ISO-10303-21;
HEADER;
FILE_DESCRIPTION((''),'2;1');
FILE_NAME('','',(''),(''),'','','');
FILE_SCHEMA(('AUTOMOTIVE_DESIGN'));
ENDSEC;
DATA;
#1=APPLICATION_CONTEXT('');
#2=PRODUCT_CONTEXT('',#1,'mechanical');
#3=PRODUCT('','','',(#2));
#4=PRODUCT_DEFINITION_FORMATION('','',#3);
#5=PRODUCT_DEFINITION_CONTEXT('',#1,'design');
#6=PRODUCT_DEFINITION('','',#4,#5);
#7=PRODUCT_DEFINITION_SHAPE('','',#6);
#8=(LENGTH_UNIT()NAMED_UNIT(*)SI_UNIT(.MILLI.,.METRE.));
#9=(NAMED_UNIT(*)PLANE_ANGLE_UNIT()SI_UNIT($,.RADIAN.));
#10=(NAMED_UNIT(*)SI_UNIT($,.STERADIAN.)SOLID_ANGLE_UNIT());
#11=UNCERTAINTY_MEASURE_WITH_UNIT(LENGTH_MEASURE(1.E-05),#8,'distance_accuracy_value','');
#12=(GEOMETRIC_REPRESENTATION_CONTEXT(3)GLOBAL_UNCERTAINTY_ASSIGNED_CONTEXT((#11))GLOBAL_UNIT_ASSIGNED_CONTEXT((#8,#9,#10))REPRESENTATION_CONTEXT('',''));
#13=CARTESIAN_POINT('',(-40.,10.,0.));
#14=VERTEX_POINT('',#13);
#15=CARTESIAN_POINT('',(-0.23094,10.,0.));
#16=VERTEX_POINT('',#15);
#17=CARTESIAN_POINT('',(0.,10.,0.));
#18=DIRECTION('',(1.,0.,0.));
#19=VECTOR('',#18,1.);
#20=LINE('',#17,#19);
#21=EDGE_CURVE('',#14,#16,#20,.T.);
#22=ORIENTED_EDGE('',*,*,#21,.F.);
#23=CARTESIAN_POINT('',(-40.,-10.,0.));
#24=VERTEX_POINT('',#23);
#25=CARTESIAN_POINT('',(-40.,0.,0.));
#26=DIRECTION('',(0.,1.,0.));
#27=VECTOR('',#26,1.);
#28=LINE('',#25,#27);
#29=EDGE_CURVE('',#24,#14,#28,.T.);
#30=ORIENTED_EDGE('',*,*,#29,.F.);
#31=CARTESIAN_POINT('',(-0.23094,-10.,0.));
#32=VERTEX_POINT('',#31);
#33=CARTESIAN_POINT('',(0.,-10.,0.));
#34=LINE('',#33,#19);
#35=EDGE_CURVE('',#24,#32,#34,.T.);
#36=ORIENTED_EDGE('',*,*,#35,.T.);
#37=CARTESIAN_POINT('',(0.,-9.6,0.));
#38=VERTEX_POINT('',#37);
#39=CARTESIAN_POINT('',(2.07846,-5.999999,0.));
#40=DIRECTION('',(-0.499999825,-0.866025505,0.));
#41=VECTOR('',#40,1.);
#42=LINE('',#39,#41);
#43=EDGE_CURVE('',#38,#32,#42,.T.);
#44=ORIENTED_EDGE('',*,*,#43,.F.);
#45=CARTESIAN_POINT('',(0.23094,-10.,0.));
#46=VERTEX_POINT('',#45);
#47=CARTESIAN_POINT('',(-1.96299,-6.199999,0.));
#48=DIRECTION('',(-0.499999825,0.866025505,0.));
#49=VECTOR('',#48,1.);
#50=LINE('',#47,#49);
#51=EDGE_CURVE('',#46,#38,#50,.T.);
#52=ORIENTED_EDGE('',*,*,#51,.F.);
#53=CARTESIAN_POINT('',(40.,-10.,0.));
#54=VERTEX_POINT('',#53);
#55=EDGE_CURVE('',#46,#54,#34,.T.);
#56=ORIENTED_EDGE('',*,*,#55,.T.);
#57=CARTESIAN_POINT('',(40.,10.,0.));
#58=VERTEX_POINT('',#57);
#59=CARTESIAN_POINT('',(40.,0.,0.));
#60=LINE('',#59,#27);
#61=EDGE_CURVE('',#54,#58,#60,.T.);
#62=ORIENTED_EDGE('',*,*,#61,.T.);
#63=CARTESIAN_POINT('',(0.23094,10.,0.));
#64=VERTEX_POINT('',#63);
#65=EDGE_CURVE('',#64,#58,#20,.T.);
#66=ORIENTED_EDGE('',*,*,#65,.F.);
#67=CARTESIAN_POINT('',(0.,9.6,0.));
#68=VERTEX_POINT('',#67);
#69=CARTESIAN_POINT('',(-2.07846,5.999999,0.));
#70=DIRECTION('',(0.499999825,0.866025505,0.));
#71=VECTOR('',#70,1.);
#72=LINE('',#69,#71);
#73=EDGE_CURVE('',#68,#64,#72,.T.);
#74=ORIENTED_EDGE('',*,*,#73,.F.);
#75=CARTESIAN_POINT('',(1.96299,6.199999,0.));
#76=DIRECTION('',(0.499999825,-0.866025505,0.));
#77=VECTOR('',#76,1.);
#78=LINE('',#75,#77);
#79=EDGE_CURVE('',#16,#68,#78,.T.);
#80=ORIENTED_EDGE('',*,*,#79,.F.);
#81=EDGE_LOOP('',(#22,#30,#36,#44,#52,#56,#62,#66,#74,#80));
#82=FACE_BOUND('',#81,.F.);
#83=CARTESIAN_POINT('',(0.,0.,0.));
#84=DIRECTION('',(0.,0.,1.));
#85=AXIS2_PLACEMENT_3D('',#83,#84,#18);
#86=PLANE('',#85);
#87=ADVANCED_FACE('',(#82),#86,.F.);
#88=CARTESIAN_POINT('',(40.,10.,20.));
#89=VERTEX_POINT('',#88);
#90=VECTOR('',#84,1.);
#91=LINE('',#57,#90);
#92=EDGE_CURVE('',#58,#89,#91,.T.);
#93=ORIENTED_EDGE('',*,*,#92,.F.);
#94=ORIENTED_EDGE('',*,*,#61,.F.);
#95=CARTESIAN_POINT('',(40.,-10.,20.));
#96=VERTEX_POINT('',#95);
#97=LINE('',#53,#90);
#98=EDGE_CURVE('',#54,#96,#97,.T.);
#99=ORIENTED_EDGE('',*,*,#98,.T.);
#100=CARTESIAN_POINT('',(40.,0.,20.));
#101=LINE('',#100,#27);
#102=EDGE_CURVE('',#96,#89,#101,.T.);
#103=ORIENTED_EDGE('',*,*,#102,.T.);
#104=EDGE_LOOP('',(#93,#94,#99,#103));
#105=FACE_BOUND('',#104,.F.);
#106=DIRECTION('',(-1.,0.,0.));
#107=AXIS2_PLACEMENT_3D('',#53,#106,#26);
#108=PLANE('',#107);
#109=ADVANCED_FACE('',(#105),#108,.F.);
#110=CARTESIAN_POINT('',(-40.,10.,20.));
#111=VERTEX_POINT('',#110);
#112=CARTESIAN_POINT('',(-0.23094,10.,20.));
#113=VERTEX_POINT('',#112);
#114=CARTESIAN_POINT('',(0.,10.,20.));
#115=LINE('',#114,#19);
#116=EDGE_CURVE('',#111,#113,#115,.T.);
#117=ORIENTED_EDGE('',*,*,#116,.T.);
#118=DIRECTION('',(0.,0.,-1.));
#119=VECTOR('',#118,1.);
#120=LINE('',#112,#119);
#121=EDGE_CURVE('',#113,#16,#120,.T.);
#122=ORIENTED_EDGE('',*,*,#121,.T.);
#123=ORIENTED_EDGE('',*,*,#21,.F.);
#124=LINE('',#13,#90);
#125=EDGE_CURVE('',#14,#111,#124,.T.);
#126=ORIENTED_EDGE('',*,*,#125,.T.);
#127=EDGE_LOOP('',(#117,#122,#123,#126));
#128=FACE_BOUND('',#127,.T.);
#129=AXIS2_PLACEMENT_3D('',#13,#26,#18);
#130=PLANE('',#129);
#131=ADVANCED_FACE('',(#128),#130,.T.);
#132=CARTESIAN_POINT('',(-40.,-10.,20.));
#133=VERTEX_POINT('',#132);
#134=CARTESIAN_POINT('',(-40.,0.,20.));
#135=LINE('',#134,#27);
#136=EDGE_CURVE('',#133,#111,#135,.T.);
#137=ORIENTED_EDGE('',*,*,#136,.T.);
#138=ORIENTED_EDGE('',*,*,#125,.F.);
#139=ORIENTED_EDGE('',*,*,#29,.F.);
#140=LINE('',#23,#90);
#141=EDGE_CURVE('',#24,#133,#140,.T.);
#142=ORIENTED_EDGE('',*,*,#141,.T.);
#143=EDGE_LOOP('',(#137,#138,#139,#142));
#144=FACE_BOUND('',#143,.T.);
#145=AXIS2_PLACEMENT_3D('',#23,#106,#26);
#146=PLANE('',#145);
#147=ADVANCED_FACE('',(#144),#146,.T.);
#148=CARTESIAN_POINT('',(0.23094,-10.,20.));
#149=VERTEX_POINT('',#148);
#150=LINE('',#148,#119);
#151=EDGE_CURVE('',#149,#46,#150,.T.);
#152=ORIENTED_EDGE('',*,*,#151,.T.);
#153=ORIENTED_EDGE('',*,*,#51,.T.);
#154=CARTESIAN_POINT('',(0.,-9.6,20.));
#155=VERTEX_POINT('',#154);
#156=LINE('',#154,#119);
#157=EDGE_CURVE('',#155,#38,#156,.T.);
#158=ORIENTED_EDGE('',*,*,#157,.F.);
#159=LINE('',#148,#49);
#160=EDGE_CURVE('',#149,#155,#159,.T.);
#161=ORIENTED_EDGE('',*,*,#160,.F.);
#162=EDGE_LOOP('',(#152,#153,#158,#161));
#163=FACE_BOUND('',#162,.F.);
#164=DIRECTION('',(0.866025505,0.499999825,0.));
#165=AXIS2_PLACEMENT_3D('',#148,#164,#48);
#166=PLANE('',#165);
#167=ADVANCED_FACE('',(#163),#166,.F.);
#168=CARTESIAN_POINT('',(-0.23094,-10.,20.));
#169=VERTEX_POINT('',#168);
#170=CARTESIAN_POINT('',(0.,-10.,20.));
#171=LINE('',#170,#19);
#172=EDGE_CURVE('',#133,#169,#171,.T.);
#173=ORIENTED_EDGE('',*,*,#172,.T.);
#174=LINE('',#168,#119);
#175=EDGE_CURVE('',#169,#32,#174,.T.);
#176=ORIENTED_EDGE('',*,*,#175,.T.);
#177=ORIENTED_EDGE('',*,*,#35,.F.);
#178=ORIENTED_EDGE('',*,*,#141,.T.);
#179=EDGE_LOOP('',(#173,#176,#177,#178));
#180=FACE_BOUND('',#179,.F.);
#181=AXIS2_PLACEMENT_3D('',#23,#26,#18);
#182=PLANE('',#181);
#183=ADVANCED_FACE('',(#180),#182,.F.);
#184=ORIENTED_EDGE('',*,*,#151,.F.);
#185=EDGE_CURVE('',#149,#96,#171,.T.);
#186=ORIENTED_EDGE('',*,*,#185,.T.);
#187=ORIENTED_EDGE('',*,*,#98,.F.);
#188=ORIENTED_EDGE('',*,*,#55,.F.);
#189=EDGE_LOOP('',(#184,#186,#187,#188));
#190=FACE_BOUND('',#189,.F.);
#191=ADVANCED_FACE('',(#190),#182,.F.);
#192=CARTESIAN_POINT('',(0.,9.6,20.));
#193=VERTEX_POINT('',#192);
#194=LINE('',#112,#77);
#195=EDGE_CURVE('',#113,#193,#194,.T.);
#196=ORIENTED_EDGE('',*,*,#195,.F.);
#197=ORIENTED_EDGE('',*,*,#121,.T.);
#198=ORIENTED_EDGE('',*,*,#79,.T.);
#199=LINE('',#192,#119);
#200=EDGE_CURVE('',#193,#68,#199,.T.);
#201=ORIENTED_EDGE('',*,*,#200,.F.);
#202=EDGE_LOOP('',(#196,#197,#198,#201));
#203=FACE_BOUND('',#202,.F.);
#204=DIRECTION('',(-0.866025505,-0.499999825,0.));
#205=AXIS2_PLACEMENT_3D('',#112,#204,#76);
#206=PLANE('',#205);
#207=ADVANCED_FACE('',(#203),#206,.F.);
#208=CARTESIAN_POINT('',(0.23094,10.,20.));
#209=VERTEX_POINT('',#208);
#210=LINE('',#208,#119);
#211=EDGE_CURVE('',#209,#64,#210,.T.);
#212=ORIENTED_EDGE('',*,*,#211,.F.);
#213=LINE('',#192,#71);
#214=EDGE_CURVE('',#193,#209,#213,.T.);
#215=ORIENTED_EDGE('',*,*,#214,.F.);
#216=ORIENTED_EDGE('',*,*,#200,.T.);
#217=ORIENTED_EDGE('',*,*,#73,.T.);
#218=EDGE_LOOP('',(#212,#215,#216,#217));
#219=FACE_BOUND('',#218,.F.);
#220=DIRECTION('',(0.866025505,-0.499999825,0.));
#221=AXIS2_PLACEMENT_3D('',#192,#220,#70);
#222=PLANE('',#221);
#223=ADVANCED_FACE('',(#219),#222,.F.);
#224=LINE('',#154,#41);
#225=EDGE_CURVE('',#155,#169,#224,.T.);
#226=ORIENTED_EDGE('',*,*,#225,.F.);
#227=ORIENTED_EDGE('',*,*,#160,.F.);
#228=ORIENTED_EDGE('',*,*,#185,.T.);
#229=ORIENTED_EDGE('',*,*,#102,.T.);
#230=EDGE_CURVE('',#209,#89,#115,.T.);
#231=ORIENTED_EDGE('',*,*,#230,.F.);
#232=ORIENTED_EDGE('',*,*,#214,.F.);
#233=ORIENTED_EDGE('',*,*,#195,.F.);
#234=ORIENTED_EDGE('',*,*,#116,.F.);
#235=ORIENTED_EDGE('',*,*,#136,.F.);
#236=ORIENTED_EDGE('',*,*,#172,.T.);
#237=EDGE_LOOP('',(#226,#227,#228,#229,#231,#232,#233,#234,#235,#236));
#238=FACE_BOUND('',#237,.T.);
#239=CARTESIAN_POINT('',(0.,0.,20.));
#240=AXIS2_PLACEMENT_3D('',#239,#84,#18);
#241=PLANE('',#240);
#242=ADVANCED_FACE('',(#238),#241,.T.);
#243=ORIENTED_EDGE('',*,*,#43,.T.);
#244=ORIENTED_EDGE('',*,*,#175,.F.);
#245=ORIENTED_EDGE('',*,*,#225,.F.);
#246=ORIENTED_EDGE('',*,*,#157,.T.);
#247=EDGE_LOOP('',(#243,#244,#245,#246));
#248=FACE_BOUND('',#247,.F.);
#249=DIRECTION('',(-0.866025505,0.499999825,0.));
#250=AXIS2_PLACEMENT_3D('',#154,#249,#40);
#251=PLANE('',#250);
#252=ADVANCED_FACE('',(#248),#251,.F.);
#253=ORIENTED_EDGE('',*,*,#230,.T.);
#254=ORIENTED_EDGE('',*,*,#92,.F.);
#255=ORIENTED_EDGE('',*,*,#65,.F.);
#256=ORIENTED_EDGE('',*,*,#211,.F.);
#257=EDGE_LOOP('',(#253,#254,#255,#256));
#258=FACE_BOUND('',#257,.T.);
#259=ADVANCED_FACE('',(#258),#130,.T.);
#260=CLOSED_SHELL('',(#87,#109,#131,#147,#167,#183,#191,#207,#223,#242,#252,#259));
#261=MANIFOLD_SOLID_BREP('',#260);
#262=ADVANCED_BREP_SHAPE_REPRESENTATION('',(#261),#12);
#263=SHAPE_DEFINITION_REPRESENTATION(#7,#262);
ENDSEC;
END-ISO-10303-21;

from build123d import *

# Parameters (mm, degrees)
F0_W     = 80
F0_H     = 20
F1_DEPTH = 20
F3_DEPTH = 20.001


with BuildPart() as f1:
    # F0 (on Top) → F1 (new body)
    with BuildSketch(Plane.XY):
        Rectangle(F0_W, F0_H)
    extrude(amount=F1_DEPTH)

    # F2 (on face) → F3 (cut, through all)
    with BuildSketch(Plane.XY.offset(20)):
        Polygon((0, -9.6), (-0.23094, -10), (0.23094, -10), align=None)
        Polygon((0.23094, 10), (-0.23094, 10), (0, 9.6), align=None)
    extrude(amount=-F3_DEPTH, mode=Mode.SUBTRACT)


solid = f1.part
